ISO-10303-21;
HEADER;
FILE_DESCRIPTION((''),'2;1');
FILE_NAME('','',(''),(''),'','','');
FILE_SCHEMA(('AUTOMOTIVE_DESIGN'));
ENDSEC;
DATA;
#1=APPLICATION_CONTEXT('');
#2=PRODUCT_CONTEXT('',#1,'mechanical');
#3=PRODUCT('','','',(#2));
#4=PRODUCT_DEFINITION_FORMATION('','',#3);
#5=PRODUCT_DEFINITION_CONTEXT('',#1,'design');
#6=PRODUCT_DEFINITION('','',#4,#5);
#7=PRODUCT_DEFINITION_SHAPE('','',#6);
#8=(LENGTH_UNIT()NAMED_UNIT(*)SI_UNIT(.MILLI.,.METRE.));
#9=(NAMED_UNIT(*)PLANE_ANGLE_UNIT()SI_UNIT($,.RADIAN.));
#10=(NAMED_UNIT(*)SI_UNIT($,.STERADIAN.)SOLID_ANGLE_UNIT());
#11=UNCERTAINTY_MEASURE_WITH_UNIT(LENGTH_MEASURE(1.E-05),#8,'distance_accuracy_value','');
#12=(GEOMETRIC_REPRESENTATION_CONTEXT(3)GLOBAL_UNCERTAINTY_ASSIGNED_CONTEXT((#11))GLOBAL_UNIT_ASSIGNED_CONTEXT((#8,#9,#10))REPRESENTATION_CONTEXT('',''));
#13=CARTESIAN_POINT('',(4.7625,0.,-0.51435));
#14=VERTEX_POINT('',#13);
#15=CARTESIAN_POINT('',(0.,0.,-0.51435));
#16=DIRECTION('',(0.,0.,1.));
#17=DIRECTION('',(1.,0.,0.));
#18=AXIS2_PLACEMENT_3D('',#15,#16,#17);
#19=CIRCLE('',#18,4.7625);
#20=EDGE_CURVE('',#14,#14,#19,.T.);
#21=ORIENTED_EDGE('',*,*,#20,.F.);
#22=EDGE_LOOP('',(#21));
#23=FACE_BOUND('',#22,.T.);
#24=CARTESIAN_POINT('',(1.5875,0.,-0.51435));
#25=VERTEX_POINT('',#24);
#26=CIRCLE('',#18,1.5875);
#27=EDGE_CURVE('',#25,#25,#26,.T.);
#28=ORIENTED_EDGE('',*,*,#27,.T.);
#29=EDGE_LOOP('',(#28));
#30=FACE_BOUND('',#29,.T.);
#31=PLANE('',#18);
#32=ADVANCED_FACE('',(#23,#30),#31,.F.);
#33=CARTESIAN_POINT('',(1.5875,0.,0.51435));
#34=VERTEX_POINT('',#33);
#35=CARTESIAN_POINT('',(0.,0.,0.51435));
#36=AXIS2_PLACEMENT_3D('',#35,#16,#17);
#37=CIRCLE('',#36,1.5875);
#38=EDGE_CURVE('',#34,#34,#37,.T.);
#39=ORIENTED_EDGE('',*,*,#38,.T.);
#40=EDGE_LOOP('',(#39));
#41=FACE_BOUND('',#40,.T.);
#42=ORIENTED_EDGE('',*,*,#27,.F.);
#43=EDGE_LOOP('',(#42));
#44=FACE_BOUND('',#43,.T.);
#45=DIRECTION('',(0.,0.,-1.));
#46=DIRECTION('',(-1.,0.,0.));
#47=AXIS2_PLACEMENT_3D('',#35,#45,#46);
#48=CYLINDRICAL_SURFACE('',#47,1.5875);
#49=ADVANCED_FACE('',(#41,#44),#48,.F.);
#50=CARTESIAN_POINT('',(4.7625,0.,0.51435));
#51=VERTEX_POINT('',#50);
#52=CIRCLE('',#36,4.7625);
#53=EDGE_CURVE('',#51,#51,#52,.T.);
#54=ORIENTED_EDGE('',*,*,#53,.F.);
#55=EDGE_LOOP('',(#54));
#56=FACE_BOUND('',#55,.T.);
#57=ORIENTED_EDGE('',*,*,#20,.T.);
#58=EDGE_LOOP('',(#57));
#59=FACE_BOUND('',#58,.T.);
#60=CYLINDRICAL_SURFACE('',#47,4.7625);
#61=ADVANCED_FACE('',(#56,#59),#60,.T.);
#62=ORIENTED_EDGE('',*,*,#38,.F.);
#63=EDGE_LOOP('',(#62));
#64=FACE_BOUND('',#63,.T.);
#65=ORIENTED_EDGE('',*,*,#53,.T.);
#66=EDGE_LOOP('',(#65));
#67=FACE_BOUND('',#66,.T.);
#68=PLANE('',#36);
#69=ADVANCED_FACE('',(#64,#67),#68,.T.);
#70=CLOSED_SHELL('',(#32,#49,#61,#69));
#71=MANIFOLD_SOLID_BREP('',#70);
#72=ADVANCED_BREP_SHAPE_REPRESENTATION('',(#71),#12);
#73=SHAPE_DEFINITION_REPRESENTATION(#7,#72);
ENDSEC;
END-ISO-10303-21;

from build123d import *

# Parameters (mm, degrees)
SKETCH3_R           = 4.7625
SKETCH3_R_2         = 1.5875
BOSS_EXTRUDE1_DEPTH = 0.51435


with BuildPart() as part:
    # Sketch3 → Boss-Extrude1 (new, symmetric)
    with BuildSketch(Plane.XY):
        Circle(SKETCH3_R)
        Circle(SKETCH3_R_2, mode=Mode.SUBTRACT)
    extrude(amount=BOSS_EXTRUDE1_DEPTH, both=True)


solid = part.part
